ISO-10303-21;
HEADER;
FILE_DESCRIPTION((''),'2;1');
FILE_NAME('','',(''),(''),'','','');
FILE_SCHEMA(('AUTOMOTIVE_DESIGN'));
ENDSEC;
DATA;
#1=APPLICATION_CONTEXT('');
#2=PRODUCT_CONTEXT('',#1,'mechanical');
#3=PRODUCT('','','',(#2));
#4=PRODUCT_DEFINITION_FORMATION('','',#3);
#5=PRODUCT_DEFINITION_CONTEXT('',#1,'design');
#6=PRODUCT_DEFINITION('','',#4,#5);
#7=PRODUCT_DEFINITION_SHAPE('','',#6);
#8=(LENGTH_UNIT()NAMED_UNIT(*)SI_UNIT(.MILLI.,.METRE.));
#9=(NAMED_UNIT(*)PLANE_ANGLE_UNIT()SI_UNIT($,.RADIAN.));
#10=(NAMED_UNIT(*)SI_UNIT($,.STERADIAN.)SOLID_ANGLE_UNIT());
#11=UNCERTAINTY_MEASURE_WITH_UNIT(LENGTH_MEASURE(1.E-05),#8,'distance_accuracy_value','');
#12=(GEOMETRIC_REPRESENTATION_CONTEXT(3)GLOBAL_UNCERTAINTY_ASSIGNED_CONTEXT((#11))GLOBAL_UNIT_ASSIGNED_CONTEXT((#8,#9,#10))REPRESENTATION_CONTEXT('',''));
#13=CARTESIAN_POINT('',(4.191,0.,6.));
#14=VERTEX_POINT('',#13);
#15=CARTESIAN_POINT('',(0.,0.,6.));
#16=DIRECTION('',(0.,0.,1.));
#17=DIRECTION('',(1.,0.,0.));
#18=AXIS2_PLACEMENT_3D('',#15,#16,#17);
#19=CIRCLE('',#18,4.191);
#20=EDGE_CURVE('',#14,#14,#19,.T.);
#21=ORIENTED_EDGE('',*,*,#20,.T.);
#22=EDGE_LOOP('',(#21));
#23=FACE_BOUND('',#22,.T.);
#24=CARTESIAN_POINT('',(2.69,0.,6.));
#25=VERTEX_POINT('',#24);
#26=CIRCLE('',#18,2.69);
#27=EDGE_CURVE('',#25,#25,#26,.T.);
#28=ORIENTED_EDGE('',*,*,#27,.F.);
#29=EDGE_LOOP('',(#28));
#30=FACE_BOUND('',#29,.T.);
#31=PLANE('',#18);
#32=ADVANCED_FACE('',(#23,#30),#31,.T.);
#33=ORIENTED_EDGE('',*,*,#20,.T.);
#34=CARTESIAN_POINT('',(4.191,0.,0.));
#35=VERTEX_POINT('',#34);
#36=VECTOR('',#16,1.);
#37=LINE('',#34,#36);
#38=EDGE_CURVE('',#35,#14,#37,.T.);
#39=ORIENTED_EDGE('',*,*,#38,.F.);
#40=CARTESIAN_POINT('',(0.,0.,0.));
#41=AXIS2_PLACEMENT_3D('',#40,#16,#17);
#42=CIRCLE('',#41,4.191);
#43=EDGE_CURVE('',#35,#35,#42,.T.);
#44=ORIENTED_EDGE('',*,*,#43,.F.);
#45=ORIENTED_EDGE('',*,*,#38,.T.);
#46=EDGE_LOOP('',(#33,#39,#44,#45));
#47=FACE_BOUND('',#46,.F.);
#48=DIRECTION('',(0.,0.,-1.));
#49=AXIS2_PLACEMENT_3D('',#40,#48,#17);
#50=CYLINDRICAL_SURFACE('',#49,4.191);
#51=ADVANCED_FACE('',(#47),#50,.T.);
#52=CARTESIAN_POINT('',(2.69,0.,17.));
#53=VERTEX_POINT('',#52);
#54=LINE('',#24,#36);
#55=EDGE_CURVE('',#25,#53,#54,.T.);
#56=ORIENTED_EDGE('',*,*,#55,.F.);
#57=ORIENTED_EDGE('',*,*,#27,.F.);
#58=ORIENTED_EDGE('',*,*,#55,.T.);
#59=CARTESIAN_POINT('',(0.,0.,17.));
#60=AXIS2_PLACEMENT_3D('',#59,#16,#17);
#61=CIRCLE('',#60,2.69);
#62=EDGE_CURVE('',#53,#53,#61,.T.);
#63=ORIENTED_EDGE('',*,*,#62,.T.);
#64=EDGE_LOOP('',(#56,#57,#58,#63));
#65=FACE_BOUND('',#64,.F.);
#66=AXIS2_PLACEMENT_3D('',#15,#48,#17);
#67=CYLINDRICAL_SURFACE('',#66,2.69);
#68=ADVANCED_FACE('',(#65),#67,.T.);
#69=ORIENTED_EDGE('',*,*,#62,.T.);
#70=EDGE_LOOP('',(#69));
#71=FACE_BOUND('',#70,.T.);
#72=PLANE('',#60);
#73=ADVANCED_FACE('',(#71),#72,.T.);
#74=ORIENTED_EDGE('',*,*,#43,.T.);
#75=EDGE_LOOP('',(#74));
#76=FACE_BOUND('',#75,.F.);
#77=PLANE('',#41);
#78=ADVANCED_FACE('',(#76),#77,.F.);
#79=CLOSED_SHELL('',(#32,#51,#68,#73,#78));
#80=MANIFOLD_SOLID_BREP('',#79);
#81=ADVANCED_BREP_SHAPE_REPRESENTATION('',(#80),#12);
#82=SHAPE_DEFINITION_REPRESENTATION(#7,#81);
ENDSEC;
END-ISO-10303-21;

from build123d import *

# Parameters (mm, degrees)
SKETCH2_R           = 4.191
BOSS_EXTRUDE1_DEPTH = 6
SKETCH4_R           = 2.69
BOSS_EXTRUDE2_DEPTH = 11


with BuildPart() as part:
    # Sketch2 → Boss-Extrude1 (new body)
    with BuildSketch(Plane.XY):
        Circle(SKETCH2_R)
    extrude(amount=BOSS_EXTRUDE1_DEPTH)

    # Sketch4 → Boss-Extrude2 (add)
    with BuildSketch(Plane.XY.offset(6)):
        Circle(SKETCH4_R)
    extrude(amount=BOSS_EXTRUDE2_DEPTH)


solid = part.part
